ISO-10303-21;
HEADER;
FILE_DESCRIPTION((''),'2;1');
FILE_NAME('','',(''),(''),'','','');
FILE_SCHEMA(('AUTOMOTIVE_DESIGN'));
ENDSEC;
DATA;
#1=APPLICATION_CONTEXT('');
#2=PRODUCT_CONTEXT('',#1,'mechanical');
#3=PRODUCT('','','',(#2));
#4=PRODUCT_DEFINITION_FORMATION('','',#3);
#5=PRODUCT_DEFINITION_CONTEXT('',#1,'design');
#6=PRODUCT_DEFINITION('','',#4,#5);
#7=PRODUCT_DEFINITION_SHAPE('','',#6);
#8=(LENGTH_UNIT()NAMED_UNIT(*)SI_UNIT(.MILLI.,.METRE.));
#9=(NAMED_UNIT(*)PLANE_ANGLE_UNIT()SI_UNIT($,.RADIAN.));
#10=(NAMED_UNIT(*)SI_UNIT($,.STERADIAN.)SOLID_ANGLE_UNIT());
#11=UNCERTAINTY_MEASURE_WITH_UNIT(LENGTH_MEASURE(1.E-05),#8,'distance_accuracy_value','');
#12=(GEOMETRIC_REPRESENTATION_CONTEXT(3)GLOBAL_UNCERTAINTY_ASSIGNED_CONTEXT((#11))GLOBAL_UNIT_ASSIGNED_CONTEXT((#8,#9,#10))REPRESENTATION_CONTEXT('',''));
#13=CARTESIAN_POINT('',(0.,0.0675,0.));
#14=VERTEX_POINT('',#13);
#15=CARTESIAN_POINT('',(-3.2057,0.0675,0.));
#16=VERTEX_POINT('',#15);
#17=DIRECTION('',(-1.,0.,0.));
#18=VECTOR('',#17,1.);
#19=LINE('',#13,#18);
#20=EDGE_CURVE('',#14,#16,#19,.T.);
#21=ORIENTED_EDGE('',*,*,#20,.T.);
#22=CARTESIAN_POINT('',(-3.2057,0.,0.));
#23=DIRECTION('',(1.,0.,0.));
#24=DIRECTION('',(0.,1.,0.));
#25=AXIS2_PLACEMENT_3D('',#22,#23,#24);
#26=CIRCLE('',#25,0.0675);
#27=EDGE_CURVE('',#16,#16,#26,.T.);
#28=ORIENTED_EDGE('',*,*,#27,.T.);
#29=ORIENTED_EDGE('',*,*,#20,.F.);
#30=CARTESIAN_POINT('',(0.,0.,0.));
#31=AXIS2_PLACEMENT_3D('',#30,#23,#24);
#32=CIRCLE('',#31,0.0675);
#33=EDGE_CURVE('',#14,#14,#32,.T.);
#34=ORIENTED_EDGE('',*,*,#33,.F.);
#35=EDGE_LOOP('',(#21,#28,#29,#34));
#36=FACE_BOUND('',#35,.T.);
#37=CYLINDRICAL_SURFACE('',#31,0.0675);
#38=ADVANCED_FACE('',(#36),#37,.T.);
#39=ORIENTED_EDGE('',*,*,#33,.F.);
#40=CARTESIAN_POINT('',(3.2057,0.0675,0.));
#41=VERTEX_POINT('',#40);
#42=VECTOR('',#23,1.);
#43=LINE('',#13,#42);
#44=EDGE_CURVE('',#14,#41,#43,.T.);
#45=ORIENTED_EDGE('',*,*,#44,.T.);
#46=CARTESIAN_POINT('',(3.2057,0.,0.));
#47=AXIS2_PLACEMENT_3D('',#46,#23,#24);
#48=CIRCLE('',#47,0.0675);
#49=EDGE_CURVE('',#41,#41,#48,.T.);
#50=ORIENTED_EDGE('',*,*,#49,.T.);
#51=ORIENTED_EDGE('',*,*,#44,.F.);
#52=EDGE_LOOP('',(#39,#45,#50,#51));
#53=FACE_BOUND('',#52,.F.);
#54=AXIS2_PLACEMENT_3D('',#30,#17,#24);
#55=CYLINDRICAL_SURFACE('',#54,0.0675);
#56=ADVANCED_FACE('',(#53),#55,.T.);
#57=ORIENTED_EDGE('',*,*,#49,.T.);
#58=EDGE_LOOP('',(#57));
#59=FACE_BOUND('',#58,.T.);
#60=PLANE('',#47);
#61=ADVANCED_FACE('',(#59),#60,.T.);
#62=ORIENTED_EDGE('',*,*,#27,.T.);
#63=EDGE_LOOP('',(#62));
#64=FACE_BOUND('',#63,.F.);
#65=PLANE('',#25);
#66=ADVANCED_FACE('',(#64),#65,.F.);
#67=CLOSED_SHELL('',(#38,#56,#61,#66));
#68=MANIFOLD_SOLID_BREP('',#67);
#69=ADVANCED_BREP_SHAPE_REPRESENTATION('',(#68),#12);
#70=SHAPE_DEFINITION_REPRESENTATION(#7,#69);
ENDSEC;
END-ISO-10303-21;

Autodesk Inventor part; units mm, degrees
ref_plane "YZ Plane" through (0, 0, 0) normal (1, 0, 0) x (0, 1, 0)
ref_plane "XZ Plane" through (0, 0, 0) normal (0, 1, 0) x (-1, 0, 0)
ref_plane "XY Plane" through (0, 0, 0) normal (0, 0, 1) x (1, 0, 0)
sketch "Sketch1" plane through (0, 0, 0) normal (1, 0, 0) x (0, 1, 0)
  circle A0 centre (0, 0) radius 0.0675
  dimension "d0" = 0.135
extrude "Extrusion1" add sketch "Sketch1" along normal mid plane 6.4114
equation "\"BendRadius\" = Thickness"
equation "\"BendReliefWidth\" = Thickness"
equation "\"BendReliefDepth\" = 0.5 * Thickness"
equation "\"CornerReliefSize\" = 4 * Thickness"
equation "\"MinimumRemnant\" = 2 * Thickness"
equation "\"TransitionRadius\" = BendRadius"
equation "\"JacobiRadiusSize\" = BendRadius"
equation "\"GapSize\" = Thickness"
equation "\"Thickness\" = 3.048"
properties part number "4mmSicFilamentePerfBoard"
